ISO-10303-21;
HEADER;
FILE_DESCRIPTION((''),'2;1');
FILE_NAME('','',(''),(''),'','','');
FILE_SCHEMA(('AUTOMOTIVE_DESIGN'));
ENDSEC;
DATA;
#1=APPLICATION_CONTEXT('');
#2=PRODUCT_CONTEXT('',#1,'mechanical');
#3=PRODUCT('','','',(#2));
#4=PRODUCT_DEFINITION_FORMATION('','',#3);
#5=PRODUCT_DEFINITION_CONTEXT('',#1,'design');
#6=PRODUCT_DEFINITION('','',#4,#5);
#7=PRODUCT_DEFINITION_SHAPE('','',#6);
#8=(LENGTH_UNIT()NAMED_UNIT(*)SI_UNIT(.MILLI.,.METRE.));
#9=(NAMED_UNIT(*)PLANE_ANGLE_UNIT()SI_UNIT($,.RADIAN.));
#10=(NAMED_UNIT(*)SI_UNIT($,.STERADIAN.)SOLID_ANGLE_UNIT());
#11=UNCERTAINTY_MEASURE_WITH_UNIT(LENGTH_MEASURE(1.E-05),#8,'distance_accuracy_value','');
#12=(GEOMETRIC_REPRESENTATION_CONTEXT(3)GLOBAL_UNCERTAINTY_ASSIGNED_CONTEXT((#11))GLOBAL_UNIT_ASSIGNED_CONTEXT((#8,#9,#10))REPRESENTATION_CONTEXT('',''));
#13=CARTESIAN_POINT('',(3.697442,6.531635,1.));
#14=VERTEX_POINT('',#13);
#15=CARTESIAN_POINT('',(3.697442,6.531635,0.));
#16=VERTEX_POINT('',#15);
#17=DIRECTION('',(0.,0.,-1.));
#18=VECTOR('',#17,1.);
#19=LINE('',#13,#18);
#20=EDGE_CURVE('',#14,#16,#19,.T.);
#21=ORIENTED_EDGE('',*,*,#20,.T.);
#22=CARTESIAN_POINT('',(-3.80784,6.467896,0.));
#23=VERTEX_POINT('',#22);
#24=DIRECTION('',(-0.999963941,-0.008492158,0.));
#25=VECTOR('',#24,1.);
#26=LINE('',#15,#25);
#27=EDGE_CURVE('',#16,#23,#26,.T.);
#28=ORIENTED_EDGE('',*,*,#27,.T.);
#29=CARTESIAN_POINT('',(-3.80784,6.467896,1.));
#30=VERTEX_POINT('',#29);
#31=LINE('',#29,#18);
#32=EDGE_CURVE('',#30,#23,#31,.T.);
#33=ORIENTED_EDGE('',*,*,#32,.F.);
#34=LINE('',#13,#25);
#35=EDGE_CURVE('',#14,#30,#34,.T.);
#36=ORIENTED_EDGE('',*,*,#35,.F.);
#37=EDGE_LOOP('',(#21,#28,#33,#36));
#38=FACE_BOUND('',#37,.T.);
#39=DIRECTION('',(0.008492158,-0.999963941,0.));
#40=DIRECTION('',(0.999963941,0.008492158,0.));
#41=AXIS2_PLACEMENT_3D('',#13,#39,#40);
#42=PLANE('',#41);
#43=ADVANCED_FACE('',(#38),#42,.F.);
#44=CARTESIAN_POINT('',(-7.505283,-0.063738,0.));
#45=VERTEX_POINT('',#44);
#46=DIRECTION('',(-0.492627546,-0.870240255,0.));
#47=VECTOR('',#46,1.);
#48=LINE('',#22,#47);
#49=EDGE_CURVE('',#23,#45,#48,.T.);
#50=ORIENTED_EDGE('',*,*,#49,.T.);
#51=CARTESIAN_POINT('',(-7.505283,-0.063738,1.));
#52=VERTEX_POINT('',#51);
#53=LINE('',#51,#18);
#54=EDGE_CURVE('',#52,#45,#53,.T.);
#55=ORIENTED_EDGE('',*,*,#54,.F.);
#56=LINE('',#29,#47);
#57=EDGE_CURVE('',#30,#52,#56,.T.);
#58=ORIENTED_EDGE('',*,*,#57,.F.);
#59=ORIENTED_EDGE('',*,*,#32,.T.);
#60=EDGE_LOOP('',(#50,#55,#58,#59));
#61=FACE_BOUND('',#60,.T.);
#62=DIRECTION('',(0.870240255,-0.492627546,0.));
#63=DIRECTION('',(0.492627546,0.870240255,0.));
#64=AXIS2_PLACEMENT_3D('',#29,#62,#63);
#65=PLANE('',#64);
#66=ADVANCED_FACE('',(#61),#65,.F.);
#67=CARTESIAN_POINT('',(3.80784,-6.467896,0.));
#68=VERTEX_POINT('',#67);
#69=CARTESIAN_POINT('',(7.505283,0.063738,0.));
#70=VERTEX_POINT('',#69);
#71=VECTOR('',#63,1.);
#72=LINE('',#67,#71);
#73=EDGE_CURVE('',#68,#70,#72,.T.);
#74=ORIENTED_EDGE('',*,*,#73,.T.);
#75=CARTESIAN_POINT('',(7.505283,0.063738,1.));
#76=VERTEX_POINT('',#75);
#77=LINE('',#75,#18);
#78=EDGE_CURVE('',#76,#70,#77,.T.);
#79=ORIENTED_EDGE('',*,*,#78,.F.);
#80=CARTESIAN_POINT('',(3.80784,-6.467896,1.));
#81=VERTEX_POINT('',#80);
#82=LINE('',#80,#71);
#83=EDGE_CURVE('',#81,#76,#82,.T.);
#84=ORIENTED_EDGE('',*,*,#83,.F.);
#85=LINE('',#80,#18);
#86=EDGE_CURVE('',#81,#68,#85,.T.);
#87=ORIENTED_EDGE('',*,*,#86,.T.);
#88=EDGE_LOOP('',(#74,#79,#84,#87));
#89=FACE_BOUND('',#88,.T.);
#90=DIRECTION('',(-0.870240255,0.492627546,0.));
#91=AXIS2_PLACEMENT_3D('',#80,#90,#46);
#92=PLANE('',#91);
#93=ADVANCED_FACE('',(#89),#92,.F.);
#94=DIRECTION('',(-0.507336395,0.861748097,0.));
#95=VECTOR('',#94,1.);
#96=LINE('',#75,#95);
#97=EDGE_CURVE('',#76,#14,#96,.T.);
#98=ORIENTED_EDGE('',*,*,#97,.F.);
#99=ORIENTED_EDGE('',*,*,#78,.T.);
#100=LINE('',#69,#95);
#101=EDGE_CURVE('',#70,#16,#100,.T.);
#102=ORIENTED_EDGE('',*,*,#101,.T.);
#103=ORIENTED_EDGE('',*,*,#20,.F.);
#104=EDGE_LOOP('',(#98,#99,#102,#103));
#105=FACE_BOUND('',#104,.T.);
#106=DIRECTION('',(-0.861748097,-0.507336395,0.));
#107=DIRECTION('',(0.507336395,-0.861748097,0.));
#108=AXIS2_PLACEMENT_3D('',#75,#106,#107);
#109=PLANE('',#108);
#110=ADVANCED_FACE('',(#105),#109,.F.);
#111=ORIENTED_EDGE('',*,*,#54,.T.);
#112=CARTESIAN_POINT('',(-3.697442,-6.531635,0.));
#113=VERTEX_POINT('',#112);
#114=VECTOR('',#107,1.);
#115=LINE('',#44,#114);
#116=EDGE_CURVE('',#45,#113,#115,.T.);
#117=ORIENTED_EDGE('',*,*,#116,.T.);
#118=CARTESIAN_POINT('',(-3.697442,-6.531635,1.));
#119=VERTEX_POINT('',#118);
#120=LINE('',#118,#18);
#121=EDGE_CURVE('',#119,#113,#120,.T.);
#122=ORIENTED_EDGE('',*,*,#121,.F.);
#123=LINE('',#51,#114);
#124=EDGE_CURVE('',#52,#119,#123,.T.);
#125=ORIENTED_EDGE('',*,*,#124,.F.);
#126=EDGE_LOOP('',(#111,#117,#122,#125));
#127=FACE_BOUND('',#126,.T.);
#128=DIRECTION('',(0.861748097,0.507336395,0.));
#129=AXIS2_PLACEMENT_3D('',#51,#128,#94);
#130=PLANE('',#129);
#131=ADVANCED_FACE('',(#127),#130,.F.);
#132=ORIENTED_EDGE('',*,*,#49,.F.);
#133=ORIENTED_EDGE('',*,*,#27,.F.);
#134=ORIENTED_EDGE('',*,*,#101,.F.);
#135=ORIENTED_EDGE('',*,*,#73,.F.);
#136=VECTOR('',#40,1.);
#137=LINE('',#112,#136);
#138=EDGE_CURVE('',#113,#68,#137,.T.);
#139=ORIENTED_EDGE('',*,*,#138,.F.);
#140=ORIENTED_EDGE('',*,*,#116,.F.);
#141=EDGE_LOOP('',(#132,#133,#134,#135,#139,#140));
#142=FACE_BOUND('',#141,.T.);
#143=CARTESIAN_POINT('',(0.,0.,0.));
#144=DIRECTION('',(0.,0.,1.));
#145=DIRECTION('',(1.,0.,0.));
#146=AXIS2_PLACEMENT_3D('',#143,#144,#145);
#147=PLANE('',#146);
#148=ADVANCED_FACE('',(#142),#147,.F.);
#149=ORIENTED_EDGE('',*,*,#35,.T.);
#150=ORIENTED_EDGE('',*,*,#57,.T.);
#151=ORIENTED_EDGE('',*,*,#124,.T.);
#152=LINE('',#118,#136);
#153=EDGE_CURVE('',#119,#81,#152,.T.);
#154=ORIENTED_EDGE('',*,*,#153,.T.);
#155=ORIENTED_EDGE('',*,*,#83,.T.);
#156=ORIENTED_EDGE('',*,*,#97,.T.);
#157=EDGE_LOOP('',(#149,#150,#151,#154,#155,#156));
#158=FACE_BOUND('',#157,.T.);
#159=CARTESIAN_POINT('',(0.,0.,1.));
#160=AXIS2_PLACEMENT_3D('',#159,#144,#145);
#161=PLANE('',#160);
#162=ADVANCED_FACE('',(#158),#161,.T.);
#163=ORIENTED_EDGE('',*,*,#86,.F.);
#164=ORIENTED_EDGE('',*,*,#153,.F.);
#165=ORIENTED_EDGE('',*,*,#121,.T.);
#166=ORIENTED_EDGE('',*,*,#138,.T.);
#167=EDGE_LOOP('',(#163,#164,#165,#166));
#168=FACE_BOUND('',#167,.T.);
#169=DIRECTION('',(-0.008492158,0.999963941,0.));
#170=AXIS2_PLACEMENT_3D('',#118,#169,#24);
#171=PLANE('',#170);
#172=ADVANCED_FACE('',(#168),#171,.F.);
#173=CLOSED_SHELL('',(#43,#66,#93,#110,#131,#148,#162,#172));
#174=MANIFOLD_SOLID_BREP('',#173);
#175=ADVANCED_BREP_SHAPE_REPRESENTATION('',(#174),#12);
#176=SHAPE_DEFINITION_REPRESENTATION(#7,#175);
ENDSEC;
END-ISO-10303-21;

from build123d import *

# Parameters (mm, degrees)
SALIENTE_EXTRUIR1_DEPTH = 1


with BuildPart() as part:
    # Croquis1 → Saliente-Extruir1 (new body)
    with BuildSketch(Plane.XY):
        Polygon((-3.697442402, -6.531634789), (3.807840455, -6.467896443), (7.505282857, 0.063738346), (3.697442402, 6.531634789), (-3.807840455, 6.467896443), (-7.505282857, -0.063738346), align=None)
    extrude(amount=SALIENTE_EXTRUIR1_DEPTH)


solid = part.part
